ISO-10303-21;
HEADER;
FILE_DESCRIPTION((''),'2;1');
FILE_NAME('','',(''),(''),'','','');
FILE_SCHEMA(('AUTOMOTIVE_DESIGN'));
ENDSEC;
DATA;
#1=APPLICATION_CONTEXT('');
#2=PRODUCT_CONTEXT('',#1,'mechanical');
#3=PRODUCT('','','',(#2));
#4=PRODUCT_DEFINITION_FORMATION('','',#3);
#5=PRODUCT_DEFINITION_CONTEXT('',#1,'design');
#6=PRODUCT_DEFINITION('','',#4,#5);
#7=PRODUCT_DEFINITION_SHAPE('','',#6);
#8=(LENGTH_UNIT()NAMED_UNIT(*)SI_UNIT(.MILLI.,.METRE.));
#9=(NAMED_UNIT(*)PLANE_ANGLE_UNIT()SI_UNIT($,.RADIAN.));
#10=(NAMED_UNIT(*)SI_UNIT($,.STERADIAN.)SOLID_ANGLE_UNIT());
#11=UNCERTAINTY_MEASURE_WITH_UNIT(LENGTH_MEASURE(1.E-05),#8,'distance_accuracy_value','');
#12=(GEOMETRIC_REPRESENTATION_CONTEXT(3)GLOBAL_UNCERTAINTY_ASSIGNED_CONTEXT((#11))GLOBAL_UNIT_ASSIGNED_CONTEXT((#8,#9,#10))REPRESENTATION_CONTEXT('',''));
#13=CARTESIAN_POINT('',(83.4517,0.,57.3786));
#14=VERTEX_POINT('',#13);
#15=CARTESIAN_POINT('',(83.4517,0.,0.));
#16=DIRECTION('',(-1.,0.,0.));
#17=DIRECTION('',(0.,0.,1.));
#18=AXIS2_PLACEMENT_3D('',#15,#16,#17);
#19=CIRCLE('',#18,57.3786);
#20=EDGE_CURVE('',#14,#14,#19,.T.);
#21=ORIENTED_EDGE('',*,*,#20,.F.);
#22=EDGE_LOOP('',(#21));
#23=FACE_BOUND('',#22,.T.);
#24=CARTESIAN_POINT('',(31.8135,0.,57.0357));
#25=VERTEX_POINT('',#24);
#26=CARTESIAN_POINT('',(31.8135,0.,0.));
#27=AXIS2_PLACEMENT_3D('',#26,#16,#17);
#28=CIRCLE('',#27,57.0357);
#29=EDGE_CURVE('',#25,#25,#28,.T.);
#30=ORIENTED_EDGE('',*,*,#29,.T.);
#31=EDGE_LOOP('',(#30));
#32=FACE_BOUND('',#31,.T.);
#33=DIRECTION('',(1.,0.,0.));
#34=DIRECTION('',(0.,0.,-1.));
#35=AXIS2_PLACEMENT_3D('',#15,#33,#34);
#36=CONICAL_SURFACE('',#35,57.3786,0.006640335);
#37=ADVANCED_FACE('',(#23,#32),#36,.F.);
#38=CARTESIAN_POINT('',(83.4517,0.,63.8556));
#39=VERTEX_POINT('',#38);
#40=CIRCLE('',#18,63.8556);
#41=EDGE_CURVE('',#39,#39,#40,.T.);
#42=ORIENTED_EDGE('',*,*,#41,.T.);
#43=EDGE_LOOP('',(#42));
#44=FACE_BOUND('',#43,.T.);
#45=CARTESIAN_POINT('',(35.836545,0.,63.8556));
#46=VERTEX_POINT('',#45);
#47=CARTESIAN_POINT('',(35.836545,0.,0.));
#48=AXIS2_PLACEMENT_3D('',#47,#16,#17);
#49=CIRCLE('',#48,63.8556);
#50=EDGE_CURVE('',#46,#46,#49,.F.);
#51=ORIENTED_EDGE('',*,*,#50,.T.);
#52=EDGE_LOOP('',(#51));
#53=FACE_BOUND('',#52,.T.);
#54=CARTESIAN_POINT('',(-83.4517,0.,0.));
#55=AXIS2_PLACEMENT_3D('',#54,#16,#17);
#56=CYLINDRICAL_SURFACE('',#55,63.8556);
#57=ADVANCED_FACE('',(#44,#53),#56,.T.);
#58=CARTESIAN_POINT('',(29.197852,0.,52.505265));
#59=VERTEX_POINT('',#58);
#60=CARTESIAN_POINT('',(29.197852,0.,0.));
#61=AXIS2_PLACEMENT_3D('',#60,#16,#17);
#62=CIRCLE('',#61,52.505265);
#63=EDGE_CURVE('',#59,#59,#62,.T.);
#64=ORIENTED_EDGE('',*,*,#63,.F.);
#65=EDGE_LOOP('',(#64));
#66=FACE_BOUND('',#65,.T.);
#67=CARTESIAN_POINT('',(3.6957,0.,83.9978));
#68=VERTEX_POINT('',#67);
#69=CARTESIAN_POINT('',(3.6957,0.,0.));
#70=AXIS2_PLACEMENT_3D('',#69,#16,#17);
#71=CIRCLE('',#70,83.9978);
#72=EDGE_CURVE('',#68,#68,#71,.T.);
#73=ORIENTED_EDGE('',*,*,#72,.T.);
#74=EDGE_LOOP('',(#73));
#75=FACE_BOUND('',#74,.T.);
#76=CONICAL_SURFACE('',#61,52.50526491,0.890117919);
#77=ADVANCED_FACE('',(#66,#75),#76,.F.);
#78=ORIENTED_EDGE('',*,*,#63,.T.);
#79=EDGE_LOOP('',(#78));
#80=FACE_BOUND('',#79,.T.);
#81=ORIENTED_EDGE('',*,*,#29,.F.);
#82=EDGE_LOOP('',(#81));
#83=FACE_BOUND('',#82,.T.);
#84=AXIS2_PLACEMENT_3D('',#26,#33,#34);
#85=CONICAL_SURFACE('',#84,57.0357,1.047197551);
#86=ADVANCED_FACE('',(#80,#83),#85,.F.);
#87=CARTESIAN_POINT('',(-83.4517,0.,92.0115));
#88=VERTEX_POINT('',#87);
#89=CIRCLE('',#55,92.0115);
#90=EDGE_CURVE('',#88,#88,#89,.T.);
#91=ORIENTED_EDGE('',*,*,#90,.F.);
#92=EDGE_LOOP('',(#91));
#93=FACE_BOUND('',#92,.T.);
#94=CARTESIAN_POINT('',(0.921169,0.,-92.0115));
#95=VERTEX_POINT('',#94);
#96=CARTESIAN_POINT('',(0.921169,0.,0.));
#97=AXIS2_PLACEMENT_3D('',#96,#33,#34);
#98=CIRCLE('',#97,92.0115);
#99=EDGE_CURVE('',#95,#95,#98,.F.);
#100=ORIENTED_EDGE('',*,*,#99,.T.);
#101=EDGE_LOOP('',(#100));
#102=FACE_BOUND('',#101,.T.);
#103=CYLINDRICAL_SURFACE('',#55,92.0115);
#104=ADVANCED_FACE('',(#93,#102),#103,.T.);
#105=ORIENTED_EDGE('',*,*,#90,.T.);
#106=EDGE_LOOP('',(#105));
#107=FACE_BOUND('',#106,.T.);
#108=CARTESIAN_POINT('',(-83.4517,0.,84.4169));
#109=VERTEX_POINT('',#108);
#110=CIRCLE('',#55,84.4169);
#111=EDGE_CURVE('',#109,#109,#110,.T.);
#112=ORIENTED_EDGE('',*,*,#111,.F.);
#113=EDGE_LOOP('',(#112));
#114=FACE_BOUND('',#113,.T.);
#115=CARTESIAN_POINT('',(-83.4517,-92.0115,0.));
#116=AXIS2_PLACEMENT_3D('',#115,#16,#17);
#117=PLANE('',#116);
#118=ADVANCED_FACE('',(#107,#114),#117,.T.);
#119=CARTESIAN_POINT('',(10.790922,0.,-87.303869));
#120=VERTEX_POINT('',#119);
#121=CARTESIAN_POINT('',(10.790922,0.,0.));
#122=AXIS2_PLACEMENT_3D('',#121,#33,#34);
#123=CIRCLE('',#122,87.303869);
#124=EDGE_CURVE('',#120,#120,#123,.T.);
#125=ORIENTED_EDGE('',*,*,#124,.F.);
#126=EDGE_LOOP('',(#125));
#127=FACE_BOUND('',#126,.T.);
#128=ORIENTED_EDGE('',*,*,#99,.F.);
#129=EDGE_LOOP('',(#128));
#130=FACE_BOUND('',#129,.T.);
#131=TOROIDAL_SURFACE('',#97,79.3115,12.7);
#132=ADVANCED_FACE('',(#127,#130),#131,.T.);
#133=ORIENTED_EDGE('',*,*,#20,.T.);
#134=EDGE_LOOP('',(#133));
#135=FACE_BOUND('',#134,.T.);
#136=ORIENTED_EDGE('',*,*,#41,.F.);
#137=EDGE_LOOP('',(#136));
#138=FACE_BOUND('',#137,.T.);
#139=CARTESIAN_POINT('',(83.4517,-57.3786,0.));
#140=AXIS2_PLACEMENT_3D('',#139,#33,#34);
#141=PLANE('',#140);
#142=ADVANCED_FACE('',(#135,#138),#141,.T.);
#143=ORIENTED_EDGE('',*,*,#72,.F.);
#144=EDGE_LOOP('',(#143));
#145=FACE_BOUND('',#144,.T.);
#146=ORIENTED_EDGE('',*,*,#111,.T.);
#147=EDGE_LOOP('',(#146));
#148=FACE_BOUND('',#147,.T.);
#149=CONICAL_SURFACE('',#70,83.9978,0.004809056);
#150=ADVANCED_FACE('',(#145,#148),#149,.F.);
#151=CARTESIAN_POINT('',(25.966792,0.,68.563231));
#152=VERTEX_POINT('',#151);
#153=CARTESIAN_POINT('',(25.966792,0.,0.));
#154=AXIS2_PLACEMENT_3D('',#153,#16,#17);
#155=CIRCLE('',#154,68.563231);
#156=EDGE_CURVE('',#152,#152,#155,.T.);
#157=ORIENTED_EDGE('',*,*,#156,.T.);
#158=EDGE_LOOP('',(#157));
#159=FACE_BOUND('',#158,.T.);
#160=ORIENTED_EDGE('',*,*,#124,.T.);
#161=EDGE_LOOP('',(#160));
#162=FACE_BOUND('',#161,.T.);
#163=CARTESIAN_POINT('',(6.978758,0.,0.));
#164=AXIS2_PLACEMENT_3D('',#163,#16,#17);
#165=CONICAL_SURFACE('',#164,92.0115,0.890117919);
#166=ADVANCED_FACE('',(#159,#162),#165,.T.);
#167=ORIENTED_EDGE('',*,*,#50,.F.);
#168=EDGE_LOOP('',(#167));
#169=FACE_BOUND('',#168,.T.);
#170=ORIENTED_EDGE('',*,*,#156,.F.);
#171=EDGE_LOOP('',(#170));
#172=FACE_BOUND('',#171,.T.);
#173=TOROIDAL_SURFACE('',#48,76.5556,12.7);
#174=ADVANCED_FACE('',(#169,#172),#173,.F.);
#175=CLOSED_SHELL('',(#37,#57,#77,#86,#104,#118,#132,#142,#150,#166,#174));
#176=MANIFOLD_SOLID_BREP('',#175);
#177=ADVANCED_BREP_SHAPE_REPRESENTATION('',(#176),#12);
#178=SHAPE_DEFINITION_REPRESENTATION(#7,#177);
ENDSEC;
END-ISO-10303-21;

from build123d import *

# Parameters (mm, degrees)
FILLET1_R = 12.7


with BuildPart() as part:
    # Sketch1 → Revolve1 (revolve)
    with BuildSketch(Plane.XY):
        Polygon((3.6957, -83.9978), (29.197852081, -52.50526491), (31.8135, -57.0357), (83.4517, -57.3786), (83.4517, -63.8556), (29.778956153, -63.8556), (6.978757892, -92.0115), (-83.4517, -92.0115), (-83.4517, -84.4169), align=None)
    revolve(axis=Axis((-83.4517, 0, 0), (1, 0, 0)))

    # Fillet1
    fillet1_edges = [part.edges().sort_by_distance(p)[0] for p in [
        (6.978757892, 92.0115, 0),
        (29.778956153, 63.8556, 0),
    ]]
    fillet(fillet1_edges, radius=FILLET1_R)


solid = part.part
